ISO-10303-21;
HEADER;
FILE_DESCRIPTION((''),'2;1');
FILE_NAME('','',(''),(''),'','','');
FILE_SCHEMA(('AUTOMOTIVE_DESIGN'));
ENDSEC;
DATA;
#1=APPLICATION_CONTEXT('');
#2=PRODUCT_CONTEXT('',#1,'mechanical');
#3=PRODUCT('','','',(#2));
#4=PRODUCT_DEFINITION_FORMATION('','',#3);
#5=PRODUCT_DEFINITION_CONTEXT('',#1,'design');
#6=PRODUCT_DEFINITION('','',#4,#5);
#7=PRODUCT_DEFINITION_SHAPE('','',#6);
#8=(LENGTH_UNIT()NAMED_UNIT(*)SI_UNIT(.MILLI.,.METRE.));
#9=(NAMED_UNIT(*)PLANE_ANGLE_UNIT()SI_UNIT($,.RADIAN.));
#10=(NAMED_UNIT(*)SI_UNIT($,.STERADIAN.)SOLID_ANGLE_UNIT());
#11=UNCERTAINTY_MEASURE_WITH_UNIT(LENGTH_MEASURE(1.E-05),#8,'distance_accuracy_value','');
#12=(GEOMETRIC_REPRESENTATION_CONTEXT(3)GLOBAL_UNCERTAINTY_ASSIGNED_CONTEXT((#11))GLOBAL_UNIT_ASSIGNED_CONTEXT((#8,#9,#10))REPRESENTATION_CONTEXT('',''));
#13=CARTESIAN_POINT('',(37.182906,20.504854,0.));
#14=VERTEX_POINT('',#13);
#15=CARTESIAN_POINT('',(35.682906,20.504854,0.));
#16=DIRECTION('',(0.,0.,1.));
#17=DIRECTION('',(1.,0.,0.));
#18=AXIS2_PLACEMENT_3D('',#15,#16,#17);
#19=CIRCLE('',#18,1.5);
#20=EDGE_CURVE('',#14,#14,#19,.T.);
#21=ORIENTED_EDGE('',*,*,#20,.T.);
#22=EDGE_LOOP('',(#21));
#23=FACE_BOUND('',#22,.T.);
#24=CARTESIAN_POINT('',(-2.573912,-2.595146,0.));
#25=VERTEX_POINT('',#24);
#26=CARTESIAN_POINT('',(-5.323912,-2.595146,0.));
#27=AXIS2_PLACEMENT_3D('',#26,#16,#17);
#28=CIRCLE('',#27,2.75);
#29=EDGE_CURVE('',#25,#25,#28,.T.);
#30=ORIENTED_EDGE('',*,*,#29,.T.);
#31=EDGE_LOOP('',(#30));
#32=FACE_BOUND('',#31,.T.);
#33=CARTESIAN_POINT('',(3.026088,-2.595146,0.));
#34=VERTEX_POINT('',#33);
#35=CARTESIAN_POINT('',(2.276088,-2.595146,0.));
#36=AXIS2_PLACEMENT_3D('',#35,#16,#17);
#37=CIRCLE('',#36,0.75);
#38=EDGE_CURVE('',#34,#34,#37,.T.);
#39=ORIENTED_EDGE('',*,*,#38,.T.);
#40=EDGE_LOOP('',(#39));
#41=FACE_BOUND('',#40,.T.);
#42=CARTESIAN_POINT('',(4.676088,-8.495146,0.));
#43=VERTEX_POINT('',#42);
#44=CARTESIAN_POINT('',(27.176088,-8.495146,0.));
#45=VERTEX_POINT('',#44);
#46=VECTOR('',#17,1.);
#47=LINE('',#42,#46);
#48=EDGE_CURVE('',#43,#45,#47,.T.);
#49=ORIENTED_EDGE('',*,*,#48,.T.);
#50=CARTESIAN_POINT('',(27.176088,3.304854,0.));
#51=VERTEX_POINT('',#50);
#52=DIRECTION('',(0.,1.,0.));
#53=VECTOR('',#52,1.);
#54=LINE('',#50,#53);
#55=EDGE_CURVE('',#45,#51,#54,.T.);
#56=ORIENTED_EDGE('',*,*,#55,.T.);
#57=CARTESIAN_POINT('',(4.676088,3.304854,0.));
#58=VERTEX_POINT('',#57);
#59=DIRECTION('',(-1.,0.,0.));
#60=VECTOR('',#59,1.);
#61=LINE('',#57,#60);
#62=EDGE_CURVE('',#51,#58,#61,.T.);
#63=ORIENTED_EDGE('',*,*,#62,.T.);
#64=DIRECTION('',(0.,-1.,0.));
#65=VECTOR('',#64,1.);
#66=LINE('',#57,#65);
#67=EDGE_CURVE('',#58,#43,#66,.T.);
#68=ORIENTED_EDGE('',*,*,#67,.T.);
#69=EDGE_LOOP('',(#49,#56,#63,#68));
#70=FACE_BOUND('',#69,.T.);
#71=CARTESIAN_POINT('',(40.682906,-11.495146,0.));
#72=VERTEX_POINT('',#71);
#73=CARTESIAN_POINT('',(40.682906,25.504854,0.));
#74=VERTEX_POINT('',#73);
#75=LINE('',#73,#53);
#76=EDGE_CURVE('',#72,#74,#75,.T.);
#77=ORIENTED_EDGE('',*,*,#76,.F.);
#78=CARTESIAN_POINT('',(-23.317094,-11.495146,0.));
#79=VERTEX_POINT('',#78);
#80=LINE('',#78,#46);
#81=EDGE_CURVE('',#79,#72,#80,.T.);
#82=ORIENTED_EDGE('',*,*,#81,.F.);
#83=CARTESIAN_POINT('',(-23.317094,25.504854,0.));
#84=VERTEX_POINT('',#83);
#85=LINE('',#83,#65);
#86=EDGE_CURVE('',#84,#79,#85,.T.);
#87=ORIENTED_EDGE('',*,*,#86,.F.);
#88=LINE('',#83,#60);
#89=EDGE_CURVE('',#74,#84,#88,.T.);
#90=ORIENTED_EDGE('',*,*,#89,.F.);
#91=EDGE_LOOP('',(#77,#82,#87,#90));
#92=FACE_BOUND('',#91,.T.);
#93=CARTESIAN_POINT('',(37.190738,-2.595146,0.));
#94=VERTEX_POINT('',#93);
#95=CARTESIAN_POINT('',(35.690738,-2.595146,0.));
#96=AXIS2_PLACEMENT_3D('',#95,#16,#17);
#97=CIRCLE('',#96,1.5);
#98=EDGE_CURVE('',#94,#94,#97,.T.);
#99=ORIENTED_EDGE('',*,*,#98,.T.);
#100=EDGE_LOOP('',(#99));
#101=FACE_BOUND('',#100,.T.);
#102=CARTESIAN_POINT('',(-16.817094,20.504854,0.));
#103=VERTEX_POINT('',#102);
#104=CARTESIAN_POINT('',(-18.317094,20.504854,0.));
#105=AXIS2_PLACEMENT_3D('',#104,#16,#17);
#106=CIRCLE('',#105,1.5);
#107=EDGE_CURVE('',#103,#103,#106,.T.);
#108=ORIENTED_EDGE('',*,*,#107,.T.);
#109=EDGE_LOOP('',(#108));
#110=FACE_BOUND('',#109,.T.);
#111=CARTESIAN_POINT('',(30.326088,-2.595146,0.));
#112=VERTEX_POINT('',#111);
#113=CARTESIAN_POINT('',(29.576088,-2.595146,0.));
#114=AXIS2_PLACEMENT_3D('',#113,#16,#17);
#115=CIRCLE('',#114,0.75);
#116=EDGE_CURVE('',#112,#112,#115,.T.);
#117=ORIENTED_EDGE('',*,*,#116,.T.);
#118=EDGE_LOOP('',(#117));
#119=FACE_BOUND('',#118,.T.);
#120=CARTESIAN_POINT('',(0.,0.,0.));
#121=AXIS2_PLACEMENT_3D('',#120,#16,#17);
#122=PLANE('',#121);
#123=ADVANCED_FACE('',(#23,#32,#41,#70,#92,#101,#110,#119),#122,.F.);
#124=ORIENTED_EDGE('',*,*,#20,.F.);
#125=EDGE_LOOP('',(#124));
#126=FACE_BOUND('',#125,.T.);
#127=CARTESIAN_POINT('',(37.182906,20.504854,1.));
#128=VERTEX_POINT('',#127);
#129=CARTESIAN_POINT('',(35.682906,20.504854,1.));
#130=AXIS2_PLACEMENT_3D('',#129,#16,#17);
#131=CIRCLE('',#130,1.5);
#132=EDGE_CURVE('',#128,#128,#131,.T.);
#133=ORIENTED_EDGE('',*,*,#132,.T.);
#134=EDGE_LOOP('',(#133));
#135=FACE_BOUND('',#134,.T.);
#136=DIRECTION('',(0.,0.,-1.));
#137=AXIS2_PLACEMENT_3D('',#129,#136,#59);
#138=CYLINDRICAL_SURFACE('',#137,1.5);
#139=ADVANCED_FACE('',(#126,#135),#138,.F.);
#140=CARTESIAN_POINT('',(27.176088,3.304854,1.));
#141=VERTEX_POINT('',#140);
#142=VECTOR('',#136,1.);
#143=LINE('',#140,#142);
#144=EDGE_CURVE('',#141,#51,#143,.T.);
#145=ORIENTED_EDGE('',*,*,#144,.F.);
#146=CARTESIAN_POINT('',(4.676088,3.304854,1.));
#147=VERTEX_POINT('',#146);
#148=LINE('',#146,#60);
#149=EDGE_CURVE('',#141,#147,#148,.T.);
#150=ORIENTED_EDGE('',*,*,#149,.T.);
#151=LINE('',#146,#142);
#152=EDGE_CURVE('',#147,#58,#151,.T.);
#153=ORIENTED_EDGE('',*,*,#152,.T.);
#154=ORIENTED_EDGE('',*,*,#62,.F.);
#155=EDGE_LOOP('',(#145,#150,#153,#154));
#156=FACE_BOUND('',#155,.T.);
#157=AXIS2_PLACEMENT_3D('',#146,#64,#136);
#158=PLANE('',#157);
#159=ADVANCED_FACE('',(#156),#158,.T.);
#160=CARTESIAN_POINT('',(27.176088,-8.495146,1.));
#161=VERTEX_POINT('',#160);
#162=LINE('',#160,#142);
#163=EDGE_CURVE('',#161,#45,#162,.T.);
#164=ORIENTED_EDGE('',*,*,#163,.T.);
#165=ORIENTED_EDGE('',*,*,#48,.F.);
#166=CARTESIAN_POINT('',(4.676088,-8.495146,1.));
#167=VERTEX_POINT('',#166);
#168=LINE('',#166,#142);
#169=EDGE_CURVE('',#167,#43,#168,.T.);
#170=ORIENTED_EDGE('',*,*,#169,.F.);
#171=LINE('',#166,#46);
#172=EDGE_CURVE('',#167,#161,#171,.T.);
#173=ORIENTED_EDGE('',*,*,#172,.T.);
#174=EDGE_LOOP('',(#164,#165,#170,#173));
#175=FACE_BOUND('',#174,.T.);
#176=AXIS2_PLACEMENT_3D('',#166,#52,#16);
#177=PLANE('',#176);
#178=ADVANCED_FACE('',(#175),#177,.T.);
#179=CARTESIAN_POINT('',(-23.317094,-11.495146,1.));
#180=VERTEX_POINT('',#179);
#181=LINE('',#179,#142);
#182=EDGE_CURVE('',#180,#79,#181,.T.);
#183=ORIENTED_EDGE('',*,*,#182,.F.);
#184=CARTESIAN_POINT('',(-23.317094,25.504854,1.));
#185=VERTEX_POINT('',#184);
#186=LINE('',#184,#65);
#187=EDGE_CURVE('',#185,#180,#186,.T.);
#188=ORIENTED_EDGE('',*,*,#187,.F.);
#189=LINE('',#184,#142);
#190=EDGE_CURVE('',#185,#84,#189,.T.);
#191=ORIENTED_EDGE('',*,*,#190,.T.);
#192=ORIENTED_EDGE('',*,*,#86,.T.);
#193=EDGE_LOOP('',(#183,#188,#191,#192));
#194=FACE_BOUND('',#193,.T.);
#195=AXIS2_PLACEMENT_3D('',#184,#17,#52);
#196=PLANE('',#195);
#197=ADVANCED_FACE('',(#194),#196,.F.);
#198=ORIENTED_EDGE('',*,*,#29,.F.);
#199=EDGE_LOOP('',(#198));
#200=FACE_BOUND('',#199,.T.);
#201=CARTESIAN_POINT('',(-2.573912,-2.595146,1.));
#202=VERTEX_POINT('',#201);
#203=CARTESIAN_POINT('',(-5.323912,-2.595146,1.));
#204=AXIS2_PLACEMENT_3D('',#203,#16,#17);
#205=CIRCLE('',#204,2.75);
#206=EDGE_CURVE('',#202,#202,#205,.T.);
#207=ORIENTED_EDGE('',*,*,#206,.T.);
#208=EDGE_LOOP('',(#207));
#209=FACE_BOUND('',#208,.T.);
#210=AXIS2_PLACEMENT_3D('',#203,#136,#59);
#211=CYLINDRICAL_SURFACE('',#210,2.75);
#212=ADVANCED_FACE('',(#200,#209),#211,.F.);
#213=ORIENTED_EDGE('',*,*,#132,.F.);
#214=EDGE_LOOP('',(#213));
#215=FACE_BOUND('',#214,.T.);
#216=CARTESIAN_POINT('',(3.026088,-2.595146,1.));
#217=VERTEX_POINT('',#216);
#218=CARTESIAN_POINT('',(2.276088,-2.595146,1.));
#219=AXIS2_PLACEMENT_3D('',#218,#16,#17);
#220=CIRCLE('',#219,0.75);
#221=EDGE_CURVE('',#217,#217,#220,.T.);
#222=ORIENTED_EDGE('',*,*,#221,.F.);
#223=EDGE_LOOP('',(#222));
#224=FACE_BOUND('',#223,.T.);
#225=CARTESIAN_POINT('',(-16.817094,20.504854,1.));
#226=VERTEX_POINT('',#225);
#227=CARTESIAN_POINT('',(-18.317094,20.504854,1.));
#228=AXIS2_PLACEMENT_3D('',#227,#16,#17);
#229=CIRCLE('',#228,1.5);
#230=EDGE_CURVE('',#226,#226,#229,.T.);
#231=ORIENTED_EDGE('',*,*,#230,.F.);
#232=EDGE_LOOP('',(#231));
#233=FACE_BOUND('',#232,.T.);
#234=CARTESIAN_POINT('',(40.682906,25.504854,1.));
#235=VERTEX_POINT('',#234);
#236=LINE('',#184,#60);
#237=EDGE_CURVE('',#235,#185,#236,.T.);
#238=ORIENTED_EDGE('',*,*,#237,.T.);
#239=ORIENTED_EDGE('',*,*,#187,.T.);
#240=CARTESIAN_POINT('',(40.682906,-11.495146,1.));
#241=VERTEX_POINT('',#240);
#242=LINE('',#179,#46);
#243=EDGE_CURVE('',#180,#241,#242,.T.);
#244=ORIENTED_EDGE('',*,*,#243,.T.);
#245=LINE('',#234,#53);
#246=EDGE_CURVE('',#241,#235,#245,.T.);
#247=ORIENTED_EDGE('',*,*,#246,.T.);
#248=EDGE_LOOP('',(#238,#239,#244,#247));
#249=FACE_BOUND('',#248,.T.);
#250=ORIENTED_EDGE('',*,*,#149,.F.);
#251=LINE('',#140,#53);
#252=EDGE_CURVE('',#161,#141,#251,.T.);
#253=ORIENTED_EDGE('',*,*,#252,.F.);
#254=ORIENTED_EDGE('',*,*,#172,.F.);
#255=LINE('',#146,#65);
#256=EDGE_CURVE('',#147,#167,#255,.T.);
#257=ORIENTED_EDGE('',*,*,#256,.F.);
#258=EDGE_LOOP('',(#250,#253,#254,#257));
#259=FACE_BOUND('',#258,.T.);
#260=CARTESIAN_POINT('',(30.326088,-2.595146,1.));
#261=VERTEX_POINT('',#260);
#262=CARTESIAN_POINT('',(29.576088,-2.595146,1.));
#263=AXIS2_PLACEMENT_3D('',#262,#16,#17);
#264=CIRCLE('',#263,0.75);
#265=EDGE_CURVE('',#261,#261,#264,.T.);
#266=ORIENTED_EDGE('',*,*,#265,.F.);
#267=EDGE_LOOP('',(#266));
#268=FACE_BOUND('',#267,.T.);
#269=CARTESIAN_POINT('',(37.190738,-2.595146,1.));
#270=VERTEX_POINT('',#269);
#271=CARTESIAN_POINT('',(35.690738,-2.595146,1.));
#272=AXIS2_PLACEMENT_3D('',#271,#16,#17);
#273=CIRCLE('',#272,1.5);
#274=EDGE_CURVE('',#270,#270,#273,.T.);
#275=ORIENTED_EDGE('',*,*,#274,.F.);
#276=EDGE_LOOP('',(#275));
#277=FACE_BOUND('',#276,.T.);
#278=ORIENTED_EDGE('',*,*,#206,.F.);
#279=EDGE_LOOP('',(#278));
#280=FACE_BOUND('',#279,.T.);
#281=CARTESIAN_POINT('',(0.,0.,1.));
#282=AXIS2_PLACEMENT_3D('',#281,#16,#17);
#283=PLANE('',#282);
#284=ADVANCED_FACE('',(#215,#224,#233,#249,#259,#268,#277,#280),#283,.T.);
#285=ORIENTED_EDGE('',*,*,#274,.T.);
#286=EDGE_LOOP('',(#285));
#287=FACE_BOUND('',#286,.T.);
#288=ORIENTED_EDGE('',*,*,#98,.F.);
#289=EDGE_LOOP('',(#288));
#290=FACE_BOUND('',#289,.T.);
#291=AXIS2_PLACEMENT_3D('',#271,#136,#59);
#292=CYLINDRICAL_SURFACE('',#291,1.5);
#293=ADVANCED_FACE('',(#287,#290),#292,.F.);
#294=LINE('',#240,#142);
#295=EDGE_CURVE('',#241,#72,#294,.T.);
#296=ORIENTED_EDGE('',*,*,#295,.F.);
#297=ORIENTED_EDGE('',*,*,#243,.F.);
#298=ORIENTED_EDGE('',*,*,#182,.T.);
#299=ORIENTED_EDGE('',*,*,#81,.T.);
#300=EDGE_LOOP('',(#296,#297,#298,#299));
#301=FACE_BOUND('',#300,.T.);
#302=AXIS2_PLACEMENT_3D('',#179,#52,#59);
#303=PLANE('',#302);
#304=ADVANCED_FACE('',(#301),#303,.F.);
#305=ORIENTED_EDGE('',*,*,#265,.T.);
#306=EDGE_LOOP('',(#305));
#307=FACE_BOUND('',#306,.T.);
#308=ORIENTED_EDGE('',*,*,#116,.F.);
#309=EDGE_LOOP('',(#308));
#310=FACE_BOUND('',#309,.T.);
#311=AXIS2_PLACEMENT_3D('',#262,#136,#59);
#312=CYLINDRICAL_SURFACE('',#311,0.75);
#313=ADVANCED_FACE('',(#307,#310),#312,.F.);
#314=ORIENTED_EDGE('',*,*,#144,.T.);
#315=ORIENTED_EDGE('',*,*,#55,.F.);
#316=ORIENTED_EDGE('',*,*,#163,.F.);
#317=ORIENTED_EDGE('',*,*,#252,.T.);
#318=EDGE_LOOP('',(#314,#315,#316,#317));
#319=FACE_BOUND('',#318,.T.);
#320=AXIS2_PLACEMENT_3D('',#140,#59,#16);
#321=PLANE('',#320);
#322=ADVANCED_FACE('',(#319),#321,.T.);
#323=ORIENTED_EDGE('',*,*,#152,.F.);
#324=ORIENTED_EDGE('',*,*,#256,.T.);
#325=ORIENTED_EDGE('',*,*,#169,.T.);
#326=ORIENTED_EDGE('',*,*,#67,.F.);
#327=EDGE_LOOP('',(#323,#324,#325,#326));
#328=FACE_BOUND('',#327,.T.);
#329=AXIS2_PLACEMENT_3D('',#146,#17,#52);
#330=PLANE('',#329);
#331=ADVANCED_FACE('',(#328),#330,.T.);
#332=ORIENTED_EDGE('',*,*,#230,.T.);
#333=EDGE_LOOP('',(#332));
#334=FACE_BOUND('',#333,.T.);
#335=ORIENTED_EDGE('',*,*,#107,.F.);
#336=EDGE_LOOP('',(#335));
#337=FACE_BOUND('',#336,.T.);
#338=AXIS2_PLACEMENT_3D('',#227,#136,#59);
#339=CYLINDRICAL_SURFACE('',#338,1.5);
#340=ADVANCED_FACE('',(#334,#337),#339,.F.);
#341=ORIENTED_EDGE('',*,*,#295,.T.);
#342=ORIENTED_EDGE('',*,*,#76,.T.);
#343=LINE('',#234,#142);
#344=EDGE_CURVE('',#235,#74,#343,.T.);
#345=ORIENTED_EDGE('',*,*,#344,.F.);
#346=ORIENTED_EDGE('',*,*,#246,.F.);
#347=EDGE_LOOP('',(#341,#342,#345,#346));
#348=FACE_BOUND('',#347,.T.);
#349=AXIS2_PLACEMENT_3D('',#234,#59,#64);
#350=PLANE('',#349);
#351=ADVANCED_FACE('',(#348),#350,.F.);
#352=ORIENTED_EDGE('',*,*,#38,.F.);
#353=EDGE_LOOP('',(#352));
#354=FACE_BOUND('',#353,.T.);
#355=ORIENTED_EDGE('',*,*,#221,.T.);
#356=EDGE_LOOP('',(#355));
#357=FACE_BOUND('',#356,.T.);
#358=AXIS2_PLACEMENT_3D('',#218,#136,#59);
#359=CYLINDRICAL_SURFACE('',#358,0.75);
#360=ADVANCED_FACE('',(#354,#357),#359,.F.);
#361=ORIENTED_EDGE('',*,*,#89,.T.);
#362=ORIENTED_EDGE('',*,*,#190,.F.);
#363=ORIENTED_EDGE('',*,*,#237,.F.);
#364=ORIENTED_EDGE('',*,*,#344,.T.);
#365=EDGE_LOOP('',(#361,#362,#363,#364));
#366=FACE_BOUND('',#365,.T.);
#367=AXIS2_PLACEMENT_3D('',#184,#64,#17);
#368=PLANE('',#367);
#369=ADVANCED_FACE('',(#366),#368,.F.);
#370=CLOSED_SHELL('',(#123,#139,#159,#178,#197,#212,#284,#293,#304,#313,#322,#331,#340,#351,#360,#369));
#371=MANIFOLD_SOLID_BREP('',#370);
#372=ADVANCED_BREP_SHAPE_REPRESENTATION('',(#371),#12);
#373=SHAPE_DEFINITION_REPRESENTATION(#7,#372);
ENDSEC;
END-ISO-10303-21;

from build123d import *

# Parameters (mm, degrees)
CROQUIS1_W              = 64
CROQUIS1_H              = 37
CROQUIS1_R              = 1.5
CROQUIS1_R_2            = 0.75
CROQUIS1_R_3            = 2.750000001
CROQUIS1_R_4            = 1.500000001
CROQUIS1_W_2            = 22.5
CROQUIS1_H_2            = 11.8
SALIENTE_EXTRUIR1_DEPTH = 1


with BuildPart() as part:
    # Croquis1 → Saliente-Extruir1 (new body)
    with BuildSketch(Plane.XY):
        with Locations((8.682906488, 7.004854367)):
            Rectangle(CROQUIS1_W, CROQUIS1_H)
        with Locations((-18.317093512, 20.504854367)):
            Circle(CROQUIS1_R, mode=Mode.SUBTRACT)
        with Locations((35.682906488, 20.504854367)):
            Circle(CROQUIS1_R, mode=Mode.SUBTRACT)
        with Locations((29.576088128, -2.595145633)):
            Circle(CROQUIS1_R_2, mode=Mode.SUBTRACT)
        with Locations((2.276088128, -2.595145633)):
            Circle(CROQUIS1_R_2, mode=Mode.SUBTRACT)
        with Locations((-5.323911872, -2.595145633)):
            Circle(CROQUIS1_R_3, mode=Mode.SUBTRACT)
        with Locations((35.690737834, -2.595145633)):
            Circle(CROQUIS1_R_4, mode=Mode.SUBTRACT)
        with Locations((15.926088128, -2.595145633)):
            Rectangle(CROQUIS1_W_2, CROQUIS1_H_2, mode=Mode.SUBTRACT)
    extrude(amount=SALIENTE_EXTRUIR1_DEPTH)


solid = part.part
